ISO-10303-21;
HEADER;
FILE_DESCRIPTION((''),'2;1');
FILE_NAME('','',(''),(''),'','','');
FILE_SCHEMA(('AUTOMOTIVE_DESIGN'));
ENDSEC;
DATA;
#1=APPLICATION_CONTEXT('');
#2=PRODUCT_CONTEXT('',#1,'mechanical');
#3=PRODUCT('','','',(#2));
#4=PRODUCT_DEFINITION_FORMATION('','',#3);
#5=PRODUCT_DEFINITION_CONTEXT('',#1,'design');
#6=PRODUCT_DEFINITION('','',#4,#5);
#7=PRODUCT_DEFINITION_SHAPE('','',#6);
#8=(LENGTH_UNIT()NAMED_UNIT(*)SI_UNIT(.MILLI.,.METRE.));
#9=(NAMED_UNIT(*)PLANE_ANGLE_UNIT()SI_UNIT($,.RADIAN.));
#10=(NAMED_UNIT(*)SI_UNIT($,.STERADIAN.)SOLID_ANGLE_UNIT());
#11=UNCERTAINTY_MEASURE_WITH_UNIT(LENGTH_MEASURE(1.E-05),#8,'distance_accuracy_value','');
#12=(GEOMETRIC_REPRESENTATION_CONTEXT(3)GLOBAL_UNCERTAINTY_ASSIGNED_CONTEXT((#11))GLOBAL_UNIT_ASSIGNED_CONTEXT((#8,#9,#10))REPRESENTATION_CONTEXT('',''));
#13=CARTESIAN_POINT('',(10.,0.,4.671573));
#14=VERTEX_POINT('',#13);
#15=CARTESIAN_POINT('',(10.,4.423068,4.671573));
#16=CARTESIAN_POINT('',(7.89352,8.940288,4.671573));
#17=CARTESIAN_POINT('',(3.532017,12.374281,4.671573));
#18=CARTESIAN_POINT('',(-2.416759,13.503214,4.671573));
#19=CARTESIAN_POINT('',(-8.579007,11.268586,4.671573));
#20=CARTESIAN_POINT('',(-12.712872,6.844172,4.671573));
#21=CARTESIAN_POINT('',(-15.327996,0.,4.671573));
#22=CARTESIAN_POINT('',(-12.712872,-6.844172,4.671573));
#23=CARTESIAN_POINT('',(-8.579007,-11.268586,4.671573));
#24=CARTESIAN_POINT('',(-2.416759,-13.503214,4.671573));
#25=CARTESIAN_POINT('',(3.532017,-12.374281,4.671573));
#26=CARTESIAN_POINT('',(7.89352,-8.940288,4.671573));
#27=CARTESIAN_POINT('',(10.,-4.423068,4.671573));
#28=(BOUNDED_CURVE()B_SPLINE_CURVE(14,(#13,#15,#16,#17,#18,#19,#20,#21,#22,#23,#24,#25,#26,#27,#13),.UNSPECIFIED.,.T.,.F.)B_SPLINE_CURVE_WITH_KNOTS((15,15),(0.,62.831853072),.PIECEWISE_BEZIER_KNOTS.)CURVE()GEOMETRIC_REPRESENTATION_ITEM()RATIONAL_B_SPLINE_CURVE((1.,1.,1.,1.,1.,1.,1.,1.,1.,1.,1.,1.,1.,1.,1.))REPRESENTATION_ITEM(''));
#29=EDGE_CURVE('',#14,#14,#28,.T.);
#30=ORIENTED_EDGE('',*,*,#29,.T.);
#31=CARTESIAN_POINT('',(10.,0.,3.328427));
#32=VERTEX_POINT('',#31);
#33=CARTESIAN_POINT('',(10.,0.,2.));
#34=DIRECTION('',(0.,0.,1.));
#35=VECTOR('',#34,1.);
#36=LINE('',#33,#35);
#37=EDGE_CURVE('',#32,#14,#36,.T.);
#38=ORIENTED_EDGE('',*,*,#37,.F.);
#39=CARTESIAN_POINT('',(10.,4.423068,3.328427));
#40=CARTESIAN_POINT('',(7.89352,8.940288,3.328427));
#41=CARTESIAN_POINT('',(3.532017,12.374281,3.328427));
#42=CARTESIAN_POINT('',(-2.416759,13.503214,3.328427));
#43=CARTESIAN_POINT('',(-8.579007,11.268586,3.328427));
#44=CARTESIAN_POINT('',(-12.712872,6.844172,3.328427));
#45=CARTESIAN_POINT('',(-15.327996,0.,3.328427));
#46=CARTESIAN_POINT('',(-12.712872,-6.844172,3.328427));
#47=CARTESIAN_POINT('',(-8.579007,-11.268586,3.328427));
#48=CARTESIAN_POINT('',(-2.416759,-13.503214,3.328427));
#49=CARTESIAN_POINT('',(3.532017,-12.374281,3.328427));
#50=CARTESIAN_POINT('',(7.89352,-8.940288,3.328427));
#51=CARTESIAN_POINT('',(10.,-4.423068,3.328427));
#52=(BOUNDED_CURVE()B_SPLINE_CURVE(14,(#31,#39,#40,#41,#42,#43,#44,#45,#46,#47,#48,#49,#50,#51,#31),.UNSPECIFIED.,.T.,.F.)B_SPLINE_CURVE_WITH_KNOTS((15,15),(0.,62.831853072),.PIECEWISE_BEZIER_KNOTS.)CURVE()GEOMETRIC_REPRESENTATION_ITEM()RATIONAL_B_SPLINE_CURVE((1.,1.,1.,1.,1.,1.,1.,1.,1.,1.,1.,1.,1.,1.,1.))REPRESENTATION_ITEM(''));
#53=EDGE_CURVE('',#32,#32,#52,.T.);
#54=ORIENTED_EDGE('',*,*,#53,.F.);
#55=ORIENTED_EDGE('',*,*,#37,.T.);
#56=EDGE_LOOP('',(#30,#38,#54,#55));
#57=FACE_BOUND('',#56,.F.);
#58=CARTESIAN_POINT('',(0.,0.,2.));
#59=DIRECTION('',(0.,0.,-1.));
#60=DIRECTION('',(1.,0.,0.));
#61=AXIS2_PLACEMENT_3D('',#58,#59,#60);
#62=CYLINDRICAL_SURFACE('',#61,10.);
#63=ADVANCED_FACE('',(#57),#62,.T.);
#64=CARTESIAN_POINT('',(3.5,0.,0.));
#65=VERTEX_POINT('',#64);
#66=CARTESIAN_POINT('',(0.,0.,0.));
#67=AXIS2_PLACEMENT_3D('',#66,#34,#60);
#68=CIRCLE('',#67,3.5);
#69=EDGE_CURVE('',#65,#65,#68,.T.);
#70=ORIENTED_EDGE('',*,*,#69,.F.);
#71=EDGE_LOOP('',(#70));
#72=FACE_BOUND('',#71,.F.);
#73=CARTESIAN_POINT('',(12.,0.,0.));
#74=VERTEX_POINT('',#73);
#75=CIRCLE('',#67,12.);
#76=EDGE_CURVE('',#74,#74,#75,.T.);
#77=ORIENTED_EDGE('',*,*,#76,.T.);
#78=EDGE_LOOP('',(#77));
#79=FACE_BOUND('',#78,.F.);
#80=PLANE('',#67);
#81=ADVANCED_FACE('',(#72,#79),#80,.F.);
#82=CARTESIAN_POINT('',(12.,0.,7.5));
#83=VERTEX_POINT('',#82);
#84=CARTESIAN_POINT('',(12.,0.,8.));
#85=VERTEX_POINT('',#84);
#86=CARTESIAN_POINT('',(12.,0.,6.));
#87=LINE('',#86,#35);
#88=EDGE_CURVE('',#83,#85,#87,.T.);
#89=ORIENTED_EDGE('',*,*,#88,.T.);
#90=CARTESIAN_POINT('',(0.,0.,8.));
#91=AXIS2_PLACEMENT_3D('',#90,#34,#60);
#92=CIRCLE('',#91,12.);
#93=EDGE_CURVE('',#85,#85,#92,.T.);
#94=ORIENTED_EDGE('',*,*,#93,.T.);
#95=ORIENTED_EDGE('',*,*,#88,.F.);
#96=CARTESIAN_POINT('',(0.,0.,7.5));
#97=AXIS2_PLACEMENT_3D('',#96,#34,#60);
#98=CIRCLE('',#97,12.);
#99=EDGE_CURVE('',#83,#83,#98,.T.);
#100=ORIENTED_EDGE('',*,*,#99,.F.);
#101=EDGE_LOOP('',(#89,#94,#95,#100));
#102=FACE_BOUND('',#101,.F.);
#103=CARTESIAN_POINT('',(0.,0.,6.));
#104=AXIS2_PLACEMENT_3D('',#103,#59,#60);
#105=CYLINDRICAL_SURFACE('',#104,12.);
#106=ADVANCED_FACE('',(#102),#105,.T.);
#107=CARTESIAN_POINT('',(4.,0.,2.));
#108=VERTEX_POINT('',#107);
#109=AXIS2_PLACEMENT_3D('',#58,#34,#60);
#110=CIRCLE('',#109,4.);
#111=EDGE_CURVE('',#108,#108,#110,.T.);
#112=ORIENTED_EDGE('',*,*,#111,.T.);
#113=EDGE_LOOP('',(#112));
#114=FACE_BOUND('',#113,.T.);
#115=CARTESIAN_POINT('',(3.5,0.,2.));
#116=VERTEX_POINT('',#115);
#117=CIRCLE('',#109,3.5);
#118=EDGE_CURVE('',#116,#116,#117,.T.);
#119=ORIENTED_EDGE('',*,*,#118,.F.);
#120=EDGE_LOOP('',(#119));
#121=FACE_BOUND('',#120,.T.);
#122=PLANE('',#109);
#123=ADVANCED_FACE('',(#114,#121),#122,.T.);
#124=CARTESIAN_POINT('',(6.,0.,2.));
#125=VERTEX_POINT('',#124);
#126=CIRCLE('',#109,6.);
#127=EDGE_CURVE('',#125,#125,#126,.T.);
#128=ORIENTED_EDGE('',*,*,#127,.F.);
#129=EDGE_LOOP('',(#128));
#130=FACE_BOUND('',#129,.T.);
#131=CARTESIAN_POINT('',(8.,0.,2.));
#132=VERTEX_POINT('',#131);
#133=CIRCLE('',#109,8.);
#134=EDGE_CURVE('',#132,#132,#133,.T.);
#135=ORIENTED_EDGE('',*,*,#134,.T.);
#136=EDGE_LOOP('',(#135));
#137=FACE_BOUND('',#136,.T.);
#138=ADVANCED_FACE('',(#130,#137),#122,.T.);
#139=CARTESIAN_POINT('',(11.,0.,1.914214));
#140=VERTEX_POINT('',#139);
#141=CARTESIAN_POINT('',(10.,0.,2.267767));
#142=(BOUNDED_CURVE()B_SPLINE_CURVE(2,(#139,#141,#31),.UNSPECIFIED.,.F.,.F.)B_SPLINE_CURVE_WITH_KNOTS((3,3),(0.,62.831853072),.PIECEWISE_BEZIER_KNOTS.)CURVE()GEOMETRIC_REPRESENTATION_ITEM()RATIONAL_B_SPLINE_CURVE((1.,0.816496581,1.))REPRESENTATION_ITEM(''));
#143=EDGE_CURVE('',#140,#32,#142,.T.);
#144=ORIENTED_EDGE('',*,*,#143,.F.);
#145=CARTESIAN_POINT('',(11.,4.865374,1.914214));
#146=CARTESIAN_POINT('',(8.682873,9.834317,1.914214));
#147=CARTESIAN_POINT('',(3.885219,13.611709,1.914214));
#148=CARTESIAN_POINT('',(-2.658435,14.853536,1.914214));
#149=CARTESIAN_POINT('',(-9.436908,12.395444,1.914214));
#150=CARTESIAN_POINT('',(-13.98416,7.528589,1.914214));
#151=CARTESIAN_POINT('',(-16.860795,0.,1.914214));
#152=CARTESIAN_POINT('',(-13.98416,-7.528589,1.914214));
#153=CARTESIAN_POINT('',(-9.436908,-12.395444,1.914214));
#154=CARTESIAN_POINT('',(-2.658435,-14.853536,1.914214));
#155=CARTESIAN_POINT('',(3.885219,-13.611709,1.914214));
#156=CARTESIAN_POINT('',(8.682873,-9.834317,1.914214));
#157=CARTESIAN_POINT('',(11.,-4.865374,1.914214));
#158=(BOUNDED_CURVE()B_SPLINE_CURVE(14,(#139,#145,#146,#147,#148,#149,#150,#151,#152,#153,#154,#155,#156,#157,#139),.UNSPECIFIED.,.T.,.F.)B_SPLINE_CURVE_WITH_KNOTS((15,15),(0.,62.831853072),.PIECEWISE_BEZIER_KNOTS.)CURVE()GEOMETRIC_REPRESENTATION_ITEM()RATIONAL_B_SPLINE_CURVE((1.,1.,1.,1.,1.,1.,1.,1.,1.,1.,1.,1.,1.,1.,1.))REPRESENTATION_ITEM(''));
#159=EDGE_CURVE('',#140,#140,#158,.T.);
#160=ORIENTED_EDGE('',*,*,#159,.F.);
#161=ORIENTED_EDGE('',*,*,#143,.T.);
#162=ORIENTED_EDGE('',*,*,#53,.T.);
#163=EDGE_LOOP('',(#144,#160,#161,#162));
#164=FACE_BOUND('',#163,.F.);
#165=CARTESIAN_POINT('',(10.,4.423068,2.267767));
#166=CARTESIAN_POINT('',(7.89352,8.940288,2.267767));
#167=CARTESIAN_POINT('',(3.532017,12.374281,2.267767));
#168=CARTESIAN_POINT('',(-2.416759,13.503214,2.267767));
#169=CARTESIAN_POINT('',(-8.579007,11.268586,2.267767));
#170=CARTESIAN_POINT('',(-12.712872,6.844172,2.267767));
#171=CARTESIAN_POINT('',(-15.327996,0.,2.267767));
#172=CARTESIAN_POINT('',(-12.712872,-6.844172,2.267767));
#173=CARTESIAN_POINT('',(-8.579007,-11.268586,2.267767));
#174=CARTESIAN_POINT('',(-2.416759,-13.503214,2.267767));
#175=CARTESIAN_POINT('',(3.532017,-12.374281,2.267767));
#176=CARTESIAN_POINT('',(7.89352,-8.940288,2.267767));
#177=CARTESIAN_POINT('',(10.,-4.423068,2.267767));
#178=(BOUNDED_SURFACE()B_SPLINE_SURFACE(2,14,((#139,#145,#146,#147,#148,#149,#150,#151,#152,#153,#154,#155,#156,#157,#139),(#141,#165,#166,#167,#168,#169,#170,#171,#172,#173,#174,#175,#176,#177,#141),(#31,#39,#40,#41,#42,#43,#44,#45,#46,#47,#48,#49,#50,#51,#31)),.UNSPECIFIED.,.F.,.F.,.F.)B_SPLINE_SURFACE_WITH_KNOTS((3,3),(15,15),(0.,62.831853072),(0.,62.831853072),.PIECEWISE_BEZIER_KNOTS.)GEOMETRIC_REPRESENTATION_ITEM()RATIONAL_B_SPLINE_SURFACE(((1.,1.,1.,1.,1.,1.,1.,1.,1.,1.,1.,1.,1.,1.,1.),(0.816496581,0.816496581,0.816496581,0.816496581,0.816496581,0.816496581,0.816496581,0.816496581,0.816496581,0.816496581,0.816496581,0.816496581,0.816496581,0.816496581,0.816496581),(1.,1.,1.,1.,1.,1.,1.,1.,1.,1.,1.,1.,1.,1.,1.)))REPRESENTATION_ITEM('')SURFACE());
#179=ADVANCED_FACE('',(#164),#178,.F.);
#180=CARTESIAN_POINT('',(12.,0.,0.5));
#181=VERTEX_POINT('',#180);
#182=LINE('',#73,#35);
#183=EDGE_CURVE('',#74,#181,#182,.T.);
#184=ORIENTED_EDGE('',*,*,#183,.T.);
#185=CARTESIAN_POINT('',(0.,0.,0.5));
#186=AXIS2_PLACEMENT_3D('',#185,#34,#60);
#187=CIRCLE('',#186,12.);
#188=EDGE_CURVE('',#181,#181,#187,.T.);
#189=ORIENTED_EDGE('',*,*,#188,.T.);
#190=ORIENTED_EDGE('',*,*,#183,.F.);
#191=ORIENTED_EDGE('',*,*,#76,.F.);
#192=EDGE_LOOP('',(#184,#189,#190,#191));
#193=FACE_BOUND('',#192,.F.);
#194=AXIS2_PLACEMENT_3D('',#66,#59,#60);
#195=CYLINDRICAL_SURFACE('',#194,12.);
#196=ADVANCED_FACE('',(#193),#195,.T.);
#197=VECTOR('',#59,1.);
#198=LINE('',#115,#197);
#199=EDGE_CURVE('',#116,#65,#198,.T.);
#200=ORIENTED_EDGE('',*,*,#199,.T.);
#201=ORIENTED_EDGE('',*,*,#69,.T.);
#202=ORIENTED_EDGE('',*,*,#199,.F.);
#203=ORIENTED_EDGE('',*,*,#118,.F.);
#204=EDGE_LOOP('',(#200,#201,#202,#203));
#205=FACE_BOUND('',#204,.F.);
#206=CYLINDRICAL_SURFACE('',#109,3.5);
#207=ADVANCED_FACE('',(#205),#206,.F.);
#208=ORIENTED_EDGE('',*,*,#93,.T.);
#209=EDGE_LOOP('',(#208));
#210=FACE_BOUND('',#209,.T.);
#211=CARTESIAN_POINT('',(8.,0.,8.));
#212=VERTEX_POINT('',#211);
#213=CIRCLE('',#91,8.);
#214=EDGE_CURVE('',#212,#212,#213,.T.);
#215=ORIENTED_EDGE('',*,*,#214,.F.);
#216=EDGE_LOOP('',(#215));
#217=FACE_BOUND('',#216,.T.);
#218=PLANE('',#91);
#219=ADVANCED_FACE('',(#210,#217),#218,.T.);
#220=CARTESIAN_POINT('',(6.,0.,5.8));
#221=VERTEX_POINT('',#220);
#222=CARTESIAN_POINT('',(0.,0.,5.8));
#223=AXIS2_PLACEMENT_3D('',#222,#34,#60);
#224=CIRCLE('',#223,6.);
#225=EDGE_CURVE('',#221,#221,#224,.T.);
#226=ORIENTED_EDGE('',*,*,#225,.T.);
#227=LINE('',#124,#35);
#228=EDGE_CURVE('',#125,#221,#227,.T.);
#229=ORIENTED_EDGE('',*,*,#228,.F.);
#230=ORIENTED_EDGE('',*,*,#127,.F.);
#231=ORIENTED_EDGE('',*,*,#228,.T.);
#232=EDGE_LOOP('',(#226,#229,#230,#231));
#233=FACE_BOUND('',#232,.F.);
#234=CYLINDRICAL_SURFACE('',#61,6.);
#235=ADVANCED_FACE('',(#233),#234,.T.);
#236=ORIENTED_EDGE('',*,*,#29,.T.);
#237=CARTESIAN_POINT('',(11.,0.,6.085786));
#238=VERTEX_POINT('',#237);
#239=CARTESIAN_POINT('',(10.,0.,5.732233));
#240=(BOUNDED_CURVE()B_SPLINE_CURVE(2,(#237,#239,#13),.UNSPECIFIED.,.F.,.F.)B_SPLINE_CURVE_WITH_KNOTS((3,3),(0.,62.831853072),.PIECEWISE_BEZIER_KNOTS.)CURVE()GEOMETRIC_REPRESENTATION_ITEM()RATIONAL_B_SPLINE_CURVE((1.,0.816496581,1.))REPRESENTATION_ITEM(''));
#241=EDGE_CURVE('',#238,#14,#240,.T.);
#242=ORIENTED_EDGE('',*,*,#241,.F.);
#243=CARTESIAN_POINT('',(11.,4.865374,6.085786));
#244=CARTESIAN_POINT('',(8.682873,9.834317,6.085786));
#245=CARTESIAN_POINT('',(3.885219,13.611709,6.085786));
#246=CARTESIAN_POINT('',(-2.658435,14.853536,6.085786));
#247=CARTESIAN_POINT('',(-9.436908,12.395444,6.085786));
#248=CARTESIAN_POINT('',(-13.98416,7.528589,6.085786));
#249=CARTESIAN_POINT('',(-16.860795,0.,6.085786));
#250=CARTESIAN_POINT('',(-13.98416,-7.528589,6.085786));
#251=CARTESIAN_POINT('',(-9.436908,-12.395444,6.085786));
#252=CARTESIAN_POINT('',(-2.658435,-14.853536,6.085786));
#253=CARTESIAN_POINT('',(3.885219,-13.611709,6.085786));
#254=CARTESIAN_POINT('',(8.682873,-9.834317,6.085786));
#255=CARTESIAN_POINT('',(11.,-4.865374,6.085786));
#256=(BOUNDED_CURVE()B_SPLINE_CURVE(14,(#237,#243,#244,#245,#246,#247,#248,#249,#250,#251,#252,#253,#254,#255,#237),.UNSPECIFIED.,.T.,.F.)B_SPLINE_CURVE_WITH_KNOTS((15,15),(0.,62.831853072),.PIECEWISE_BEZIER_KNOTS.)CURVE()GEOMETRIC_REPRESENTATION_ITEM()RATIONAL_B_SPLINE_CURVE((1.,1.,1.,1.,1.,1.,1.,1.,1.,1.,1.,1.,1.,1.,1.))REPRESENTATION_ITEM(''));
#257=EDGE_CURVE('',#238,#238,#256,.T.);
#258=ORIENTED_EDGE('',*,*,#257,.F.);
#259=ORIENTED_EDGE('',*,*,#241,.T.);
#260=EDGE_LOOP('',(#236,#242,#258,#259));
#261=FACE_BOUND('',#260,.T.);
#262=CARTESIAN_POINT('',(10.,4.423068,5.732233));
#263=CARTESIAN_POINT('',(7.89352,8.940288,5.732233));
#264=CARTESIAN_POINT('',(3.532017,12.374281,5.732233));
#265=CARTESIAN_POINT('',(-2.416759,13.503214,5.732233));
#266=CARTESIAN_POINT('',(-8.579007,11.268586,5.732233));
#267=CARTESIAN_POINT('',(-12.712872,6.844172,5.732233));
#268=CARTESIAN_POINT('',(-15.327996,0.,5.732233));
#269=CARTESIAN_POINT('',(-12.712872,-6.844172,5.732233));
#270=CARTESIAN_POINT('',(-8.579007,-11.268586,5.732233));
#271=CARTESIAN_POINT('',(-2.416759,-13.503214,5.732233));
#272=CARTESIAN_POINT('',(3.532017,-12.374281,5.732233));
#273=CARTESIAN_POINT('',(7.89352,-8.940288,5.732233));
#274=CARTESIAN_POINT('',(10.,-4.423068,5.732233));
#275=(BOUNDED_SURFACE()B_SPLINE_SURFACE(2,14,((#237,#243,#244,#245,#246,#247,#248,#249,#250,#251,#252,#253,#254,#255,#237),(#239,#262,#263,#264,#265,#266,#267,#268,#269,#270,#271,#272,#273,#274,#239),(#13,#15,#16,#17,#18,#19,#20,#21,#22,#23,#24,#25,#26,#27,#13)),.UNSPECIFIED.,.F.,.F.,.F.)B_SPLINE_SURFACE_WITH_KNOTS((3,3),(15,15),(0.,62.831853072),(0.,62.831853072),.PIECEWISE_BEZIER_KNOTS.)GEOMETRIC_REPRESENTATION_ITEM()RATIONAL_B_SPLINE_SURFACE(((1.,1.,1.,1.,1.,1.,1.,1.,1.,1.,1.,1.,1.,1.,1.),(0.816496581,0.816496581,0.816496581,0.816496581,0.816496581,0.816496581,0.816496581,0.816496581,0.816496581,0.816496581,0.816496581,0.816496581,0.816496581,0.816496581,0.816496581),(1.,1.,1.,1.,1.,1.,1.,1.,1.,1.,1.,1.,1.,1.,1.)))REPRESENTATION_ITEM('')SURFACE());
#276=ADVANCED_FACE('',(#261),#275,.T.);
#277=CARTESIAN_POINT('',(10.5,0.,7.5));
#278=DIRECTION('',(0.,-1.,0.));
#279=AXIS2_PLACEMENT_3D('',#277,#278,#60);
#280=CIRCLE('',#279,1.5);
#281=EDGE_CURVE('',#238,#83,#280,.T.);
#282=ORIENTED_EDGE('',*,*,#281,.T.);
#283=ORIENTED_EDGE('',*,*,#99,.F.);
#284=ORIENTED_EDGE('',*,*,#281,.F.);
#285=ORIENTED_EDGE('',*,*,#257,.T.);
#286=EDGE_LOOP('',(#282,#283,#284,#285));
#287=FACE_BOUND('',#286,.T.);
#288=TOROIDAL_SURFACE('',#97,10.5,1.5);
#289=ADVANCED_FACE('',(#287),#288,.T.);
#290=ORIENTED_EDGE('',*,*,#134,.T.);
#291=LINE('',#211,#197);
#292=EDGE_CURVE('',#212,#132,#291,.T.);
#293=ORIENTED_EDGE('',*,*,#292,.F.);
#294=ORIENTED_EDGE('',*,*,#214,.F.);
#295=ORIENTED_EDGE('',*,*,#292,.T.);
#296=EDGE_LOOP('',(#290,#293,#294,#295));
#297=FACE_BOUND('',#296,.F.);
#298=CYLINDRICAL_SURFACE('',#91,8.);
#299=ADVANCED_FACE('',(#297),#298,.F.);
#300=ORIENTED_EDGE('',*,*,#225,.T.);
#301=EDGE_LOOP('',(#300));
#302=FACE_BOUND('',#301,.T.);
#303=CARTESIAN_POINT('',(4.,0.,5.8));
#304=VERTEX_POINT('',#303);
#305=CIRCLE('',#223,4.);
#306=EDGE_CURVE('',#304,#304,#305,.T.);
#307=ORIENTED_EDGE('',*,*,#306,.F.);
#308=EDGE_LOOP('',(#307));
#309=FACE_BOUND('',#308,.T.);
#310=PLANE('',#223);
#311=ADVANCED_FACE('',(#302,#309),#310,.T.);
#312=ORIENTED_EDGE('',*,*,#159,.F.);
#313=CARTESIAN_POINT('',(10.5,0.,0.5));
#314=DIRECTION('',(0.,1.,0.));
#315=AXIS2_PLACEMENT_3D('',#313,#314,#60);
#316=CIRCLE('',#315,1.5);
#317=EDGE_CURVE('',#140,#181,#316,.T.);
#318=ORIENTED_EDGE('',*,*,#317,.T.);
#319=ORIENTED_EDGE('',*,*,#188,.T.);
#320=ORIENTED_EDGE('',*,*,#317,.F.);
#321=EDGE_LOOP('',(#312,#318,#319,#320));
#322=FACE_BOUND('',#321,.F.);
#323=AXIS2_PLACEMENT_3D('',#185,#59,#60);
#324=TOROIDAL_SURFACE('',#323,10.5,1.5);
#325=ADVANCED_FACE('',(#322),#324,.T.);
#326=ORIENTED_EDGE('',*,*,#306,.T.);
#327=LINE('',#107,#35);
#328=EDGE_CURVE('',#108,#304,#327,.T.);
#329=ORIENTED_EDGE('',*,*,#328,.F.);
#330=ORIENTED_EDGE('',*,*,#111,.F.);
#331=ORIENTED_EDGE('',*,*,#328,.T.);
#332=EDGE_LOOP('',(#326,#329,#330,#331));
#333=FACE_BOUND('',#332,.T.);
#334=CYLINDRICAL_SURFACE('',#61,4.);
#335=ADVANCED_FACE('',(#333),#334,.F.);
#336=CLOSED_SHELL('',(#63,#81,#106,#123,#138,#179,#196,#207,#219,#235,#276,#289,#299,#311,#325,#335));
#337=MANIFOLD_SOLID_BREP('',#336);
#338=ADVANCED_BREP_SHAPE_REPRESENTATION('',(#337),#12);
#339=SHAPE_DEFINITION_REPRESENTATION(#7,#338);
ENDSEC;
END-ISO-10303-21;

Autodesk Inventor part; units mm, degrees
ref_plane "YZ Plane" through (0, 0, 0) normal (1, 0, 0) x (0, 1, 0)
ref_plane "XZ Plane" through (0, 0, 0) normal (0, 1, 0) x (-1, 0, 0)
ref_plane "XY Plane" through (0, 0, 0) normal (0, 0, 1) x (1, 0, 0)
sketch "Sketch1" plane through (0, 0, 0) normal (0, 0, 1) x (1, 0, 0)
  circle A0 centre (0, 0) radius 12
  dimension "d0" = 24
extrude "Extrusion1" add sketch "Sketch1" along normal blind 2
sketch "Sketch2" plane through (0, 0, 2) normal (0, 0, 1) x (1, 0, 0)
  circle A0 centre (0, 0) radius 12 projected
  circle A1 centre (0, 0) radius 10
  dimension "d4" = 20
extrude "Extrusion2" add sketch "Sketch2" along normal blind 4 contours A1
sketch "Sketch3" plane through (0, 0, 6) normal (0, 0, 1) x (1, 0, 0)
  circle A0 centre (0, 0) radius 10 projected
  circle A1 centre (0, 0) radius 12
  dimension "d26" = 24
extrude "Extrusion3" add sketch "Sketch3" along normal blind 2 contours A0 | A1
fillet "Fillet1" radius 1.5 4 edges at (-12, 0, 6) (-10, 0, 6) (-12, 0, 2) (-10, 0, 2)
sketch "Sketch7" plane through (0, 0, 8) normal (0, 0, 1) x (1, 0, 0)
  circle A0 centre (0, 0) radius 12 projected
  circle A1 centre (0, 0) radius 8
  dimension "d29" = 16
extrude "Extrusion7" cut sketch "Sketch7" against normal blind 6 contours A1
sketch "Sketch8" plane through (0, 0, 2) normal (0, 0, 1) x (1, 0, 0)
  circle A0 centre (0, 0) radius 8 projected
  circle A1 centre (0, 0) radius 3.5
  dimension "d36" = 7
extrude "Extrusion8" cut sketch "Sketch8" against normal blind 8 contours A1
sketch "Sketch9" plane through (0, 0, 2) normal (0, 0, 1) x (1, 0, 0)
  circle A0 centre (0, 0) radius 8 projected
  circle A1 centre (0, 0) radius 4
  circle A2 centre (0, 0) radius 6
  dimension "d40" = 12
  dimension "d41" = 8
extrude "Extrusion9" add sketch "Sketch9" along normal blind 3.8 contours A2
properties part number "guidance wheel"
